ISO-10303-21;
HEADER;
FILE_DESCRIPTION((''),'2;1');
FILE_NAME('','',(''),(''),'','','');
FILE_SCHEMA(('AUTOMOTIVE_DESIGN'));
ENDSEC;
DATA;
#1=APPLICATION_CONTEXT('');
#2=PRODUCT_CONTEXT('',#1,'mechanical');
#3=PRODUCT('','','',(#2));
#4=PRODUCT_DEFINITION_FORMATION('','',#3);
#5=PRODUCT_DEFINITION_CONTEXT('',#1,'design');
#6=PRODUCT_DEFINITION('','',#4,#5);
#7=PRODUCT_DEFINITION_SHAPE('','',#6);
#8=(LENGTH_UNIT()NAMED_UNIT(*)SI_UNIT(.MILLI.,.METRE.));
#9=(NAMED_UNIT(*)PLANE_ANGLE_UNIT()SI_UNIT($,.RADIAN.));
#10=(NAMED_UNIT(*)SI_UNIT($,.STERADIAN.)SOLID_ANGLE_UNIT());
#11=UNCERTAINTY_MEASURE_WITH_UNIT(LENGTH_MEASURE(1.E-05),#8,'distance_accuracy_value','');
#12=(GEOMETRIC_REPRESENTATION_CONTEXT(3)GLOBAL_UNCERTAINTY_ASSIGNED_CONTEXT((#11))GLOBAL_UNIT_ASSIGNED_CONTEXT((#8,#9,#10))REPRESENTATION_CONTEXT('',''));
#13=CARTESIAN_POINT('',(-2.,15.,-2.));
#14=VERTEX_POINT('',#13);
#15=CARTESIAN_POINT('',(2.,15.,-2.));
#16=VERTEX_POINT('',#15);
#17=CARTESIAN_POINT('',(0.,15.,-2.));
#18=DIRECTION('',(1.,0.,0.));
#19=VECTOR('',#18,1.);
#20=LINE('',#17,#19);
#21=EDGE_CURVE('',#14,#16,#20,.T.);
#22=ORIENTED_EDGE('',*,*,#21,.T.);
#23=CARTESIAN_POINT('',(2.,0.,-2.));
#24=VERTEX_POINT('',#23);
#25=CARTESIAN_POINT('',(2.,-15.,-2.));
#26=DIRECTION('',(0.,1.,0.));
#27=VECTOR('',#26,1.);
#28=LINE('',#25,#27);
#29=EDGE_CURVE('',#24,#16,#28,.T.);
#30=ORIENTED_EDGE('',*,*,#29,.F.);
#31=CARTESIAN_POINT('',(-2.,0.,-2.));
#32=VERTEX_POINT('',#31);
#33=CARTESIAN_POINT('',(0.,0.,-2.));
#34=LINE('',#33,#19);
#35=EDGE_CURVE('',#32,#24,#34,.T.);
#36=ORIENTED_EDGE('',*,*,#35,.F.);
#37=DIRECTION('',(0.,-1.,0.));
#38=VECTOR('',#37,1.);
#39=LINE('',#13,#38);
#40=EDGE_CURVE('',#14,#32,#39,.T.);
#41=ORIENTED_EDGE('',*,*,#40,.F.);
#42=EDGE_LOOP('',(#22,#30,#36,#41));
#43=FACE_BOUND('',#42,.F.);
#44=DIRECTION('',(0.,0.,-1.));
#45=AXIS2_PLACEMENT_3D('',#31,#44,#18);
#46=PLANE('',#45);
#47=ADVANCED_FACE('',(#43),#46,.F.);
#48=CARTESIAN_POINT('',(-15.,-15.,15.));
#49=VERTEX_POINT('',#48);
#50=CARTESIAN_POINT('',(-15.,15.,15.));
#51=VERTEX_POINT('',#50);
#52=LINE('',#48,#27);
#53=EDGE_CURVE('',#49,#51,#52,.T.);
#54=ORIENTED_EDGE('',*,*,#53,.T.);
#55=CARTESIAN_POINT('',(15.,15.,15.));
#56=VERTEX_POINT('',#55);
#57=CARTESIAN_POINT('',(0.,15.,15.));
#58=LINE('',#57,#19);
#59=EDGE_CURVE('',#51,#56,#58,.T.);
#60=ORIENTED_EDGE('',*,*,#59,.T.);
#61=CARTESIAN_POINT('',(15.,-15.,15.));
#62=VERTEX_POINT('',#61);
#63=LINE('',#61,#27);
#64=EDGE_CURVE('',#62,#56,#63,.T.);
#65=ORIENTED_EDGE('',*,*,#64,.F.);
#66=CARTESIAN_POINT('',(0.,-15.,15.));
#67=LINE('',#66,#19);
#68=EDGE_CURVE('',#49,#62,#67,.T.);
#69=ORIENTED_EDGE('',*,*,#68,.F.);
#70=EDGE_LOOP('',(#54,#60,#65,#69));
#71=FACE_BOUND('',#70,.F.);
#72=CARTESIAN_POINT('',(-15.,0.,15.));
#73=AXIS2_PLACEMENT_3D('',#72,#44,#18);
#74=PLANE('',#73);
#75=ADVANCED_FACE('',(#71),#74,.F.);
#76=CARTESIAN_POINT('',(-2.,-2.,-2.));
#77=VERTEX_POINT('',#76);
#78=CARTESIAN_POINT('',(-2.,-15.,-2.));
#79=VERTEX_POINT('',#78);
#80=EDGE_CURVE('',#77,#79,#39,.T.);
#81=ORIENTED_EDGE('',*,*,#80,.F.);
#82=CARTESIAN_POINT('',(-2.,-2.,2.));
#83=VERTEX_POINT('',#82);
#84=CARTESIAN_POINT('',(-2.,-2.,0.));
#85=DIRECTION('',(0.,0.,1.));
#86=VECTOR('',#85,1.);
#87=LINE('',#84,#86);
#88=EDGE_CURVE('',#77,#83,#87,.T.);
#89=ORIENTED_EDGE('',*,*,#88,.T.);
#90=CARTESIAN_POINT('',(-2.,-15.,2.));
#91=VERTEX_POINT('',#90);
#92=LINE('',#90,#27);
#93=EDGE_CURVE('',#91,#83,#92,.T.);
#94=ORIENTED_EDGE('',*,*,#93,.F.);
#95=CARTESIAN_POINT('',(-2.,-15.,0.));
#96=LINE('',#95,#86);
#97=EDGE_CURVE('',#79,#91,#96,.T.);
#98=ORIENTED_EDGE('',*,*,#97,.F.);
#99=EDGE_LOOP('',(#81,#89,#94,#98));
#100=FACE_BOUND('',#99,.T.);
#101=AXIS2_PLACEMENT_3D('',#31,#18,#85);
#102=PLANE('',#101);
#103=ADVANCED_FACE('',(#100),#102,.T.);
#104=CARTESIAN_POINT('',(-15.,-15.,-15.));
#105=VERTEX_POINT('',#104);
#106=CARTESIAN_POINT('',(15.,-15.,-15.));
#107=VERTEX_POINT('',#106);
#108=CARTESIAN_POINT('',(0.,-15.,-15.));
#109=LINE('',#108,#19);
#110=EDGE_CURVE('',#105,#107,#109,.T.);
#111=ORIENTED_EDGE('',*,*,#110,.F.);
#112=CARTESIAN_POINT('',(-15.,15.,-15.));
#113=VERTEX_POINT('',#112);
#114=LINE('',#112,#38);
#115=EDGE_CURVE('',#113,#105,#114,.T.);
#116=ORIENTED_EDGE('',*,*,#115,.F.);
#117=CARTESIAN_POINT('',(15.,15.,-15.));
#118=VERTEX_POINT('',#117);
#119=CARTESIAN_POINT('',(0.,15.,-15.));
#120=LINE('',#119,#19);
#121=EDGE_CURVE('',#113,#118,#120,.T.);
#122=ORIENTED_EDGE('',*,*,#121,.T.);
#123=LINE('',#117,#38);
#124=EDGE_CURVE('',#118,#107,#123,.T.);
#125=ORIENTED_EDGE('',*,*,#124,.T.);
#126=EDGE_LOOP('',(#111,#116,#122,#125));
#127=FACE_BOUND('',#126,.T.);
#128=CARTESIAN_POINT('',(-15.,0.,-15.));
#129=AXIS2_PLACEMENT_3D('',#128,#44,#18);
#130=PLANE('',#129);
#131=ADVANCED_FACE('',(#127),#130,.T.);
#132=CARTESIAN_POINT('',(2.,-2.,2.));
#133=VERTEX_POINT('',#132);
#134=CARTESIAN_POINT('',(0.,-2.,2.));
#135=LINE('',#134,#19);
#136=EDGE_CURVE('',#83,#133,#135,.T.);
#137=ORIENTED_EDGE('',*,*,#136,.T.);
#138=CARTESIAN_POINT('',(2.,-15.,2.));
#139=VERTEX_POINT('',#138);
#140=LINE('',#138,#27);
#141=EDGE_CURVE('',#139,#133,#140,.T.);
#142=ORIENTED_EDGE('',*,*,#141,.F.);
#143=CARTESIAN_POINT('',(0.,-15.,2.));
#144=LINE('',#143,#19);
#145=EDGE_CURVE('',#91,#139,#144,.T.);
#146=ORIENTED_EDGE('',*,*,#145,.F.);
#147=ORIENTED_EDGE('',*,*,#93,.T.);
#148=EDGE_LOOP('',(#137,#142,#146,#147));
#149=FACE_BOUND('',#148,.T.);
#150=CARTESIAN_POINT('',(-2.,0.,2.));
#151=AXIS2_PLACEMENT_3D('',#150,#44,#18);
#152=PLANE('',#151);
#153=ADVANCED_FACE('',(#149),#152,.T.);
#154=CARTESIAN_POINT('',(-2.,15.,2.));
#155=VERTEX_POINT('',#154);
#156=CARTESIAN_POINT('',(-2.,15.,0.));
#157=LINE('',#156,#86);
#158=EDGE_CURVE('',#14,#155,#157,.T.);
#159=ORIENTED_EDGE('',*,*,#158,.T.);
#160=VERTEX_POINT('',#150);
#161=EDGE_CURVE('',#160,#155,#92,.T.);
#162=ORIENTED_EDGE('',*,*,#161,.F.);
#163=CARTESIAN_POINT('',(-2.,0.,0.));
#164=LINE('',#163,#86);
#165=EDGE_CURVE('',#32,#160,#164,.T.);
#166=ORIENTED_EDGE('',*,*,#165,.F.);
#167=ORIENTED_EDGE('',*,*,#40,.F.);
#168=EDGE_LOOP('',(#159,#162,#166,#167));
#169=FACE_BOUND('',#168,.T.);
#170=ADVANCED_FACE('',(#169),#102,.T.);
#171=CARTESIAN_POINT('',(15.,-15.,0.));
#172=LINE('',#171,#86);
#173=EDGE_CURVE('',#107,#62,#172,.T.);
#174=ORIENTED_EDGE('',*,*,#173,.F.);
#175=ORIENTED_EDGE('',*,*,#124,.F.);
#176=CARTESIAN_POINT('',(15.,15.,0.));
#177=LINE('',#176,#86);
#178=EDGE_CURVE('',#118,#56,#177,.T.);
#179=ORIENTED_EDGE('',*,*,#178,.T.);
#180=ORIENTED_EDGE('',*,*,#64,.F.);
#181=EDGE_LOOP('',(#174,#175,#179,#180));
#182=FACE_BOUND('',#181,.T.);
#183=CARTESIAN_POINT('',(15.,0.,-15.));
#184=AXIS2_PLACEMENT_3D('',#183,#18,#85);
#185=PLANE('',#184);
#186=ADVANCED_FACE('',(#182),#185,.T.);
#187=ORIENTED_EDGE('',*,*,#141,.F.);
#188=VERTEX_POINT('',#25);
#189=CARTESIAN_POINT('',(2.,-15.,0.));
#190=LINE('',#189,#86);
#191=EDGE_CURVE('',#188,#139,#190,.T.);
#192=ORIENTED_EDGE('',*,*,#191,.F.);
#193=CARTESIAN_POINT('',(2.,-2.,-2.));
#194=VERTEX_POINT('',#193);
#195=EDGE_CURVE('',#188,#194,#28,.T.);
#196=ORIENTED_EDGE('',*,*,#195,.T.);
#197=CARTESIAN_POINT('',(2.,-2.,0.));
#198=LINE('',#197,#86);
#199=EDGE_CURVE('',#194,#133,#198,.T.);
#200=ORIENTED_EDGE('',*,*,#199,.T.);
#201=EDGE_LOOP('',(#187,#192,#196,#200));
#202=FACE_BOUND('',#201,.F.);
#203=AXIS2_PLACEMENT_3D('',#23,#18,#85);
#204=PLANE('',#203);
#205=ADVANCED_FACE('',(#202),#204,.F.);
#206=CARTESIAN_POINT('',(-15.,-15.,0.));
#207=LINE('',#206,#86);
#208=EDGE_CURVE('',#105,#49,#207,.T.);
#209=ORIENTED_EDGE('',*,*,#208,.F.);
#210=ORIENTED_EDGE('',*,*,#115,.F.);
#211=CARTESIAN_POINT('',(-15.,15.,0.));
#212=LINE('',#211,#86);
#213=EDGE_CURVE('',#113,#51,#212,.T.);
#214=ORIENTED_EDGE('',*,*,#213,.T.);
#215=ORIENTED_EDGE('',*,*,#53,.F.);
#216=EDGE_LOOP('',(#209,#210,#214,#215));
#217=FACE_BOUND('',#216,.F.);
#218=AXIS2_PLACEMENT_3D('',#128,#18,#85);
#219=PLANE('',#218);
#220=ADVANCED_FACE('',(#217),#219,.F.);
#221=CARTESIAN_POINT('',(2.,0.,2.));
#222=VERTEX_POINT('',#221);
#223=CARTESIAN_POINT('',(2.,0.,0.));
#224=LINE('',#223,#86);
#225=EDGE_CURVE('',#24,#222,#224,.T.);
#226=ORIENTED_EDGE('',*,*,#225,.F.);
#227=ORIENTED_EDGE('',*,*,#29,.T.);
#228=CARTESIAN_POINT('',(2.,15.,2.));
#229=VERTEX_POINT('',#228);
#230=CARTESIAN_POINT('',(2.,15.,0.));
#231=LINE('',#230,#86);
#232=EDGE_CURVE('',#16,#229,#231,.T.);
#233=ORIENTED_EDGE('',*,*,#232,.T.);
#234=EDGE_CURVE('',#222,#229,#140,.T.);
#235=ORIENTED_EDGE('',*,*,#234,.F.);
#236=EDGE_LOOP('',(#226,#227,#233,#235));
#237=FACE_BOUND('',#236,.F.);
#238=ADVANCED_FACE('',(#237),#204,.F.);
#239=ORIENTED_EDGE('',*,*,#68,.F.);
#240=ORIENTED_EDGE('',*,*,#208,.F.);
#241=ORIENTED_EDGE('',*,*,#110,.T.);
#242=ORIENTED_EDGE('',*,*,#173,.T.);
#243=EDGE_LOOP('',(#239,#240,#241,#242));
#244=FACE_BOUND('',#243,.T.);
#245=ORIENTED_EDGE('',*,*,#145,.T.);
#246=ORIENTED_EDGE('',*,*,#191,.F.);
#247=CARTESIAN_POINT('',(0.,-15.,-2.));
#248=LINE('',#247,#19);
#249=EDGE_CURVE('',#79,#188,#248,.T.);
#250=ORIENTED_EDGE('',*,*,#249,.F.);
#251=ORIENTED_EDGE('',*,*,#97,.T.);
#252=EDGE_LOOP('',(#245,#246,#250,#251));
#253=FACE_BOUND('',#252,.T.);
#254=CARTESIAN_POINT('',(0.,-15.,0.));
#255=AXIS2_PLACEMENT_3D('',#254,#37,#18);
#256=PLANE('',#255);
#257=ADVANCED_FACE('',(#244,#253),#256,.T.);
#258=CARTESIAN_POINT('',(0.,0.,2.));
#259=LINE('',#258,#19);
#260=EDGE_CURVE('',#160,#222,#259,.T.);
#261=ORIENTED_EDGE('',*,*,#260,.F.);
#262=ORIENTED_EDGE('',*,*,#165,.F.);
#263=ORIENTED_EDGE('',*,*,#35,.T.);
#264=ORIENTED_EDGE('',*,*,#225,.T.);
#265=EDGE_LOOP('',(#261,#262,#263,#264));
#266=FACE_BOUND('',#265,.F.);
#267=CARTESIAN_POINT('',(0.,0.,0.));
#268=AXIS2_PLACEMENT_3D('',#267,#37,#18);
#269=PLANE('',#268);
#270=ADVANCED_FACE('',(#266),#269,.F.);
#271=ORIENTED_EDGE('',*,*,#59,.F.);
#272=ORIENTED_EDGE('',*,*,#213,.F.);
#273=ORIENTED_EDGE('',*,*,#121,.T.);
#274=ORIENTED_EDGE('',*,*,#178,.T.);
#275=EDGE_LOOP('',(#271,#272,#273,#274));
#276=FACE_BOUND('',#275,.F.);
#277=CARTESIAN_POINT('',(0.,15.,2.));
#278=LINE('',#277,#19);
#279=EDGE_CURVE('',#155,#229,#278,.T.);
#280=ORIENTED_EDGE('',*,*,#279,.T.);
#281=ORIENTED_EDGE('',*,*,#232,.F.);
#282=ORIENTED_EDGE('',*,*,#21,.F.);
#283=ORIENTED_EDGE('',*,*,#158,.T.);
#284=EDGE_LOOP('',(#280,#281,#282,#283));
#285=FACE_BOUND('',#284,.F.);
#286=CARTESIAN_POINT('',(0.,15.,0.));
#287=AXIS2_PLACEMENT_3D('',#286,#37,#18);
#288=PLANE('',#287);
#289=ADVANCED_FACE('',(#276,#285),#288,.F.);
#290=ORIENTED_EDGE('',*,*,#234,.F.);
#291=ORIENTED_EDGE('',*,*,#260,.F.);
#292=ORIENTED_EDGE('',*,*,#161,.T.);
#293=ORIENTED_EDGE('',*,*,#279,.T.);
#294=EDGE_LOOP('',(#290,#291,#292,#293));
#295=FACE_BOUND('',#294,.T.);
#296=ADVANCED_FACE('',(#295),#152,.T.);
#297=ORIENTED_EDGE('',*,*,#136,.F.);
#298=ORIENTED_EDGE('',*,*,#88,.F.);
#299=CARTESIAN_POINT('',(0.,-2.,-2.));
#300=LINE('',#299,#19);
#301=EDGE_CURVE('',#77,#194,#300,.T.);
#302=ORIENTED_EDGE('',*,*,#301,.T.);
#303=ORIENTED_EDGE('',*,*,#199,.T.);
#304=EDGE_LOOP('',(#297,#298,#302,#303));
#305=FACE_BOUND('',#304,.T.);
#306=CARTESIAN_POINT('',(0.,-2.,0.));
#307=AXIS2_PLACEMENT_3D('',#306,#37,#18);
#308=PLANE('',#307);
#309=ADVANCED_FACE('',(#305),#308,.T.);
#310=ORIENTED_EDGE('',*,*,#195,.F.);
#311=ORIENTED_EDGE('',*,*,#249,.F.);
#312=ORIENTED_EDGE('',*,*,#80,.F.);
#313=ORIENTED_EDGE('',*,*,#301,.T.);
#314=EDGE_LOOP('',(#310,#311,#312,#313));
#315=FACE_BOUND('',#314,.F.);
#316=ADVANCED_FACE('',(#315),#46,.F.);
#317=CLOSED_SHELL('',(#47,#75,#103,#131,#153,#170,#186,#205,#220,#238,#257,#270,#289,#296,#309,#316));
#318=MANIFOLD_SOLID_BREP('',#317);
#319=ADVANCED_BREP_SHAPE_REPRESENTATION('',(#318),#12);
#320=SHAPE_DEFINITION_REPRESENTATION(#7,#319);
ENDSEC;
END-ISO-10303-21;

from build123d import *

# Parameters (mm, degrees)
F0_W     = 30
F0_H     = 30
F0_W_2   = 4
F0_H_2   = 4
F1_DEPTH = 15
F2_DEPTH = 2


with BuildPart() as f1:
    # F0 (on Front) → F1 (new body, symmetric)
    with BuildSketch(Plane.XZ):
        Rectangle(F0_W, F0_H)
        Rectangle(F0_W_2, F0_H_2, mode=Mode.SUBTRACT)
    extrude(amount=F1_DEPTH, both=True)

    # F0 (on Front) → F2 (join)
    with BuildSketch(Plane.XZ):
        Rectangle(F0_W_2, F0_H_2)
    extrude(amount=F2_DEPTH)


solid = f1.part
